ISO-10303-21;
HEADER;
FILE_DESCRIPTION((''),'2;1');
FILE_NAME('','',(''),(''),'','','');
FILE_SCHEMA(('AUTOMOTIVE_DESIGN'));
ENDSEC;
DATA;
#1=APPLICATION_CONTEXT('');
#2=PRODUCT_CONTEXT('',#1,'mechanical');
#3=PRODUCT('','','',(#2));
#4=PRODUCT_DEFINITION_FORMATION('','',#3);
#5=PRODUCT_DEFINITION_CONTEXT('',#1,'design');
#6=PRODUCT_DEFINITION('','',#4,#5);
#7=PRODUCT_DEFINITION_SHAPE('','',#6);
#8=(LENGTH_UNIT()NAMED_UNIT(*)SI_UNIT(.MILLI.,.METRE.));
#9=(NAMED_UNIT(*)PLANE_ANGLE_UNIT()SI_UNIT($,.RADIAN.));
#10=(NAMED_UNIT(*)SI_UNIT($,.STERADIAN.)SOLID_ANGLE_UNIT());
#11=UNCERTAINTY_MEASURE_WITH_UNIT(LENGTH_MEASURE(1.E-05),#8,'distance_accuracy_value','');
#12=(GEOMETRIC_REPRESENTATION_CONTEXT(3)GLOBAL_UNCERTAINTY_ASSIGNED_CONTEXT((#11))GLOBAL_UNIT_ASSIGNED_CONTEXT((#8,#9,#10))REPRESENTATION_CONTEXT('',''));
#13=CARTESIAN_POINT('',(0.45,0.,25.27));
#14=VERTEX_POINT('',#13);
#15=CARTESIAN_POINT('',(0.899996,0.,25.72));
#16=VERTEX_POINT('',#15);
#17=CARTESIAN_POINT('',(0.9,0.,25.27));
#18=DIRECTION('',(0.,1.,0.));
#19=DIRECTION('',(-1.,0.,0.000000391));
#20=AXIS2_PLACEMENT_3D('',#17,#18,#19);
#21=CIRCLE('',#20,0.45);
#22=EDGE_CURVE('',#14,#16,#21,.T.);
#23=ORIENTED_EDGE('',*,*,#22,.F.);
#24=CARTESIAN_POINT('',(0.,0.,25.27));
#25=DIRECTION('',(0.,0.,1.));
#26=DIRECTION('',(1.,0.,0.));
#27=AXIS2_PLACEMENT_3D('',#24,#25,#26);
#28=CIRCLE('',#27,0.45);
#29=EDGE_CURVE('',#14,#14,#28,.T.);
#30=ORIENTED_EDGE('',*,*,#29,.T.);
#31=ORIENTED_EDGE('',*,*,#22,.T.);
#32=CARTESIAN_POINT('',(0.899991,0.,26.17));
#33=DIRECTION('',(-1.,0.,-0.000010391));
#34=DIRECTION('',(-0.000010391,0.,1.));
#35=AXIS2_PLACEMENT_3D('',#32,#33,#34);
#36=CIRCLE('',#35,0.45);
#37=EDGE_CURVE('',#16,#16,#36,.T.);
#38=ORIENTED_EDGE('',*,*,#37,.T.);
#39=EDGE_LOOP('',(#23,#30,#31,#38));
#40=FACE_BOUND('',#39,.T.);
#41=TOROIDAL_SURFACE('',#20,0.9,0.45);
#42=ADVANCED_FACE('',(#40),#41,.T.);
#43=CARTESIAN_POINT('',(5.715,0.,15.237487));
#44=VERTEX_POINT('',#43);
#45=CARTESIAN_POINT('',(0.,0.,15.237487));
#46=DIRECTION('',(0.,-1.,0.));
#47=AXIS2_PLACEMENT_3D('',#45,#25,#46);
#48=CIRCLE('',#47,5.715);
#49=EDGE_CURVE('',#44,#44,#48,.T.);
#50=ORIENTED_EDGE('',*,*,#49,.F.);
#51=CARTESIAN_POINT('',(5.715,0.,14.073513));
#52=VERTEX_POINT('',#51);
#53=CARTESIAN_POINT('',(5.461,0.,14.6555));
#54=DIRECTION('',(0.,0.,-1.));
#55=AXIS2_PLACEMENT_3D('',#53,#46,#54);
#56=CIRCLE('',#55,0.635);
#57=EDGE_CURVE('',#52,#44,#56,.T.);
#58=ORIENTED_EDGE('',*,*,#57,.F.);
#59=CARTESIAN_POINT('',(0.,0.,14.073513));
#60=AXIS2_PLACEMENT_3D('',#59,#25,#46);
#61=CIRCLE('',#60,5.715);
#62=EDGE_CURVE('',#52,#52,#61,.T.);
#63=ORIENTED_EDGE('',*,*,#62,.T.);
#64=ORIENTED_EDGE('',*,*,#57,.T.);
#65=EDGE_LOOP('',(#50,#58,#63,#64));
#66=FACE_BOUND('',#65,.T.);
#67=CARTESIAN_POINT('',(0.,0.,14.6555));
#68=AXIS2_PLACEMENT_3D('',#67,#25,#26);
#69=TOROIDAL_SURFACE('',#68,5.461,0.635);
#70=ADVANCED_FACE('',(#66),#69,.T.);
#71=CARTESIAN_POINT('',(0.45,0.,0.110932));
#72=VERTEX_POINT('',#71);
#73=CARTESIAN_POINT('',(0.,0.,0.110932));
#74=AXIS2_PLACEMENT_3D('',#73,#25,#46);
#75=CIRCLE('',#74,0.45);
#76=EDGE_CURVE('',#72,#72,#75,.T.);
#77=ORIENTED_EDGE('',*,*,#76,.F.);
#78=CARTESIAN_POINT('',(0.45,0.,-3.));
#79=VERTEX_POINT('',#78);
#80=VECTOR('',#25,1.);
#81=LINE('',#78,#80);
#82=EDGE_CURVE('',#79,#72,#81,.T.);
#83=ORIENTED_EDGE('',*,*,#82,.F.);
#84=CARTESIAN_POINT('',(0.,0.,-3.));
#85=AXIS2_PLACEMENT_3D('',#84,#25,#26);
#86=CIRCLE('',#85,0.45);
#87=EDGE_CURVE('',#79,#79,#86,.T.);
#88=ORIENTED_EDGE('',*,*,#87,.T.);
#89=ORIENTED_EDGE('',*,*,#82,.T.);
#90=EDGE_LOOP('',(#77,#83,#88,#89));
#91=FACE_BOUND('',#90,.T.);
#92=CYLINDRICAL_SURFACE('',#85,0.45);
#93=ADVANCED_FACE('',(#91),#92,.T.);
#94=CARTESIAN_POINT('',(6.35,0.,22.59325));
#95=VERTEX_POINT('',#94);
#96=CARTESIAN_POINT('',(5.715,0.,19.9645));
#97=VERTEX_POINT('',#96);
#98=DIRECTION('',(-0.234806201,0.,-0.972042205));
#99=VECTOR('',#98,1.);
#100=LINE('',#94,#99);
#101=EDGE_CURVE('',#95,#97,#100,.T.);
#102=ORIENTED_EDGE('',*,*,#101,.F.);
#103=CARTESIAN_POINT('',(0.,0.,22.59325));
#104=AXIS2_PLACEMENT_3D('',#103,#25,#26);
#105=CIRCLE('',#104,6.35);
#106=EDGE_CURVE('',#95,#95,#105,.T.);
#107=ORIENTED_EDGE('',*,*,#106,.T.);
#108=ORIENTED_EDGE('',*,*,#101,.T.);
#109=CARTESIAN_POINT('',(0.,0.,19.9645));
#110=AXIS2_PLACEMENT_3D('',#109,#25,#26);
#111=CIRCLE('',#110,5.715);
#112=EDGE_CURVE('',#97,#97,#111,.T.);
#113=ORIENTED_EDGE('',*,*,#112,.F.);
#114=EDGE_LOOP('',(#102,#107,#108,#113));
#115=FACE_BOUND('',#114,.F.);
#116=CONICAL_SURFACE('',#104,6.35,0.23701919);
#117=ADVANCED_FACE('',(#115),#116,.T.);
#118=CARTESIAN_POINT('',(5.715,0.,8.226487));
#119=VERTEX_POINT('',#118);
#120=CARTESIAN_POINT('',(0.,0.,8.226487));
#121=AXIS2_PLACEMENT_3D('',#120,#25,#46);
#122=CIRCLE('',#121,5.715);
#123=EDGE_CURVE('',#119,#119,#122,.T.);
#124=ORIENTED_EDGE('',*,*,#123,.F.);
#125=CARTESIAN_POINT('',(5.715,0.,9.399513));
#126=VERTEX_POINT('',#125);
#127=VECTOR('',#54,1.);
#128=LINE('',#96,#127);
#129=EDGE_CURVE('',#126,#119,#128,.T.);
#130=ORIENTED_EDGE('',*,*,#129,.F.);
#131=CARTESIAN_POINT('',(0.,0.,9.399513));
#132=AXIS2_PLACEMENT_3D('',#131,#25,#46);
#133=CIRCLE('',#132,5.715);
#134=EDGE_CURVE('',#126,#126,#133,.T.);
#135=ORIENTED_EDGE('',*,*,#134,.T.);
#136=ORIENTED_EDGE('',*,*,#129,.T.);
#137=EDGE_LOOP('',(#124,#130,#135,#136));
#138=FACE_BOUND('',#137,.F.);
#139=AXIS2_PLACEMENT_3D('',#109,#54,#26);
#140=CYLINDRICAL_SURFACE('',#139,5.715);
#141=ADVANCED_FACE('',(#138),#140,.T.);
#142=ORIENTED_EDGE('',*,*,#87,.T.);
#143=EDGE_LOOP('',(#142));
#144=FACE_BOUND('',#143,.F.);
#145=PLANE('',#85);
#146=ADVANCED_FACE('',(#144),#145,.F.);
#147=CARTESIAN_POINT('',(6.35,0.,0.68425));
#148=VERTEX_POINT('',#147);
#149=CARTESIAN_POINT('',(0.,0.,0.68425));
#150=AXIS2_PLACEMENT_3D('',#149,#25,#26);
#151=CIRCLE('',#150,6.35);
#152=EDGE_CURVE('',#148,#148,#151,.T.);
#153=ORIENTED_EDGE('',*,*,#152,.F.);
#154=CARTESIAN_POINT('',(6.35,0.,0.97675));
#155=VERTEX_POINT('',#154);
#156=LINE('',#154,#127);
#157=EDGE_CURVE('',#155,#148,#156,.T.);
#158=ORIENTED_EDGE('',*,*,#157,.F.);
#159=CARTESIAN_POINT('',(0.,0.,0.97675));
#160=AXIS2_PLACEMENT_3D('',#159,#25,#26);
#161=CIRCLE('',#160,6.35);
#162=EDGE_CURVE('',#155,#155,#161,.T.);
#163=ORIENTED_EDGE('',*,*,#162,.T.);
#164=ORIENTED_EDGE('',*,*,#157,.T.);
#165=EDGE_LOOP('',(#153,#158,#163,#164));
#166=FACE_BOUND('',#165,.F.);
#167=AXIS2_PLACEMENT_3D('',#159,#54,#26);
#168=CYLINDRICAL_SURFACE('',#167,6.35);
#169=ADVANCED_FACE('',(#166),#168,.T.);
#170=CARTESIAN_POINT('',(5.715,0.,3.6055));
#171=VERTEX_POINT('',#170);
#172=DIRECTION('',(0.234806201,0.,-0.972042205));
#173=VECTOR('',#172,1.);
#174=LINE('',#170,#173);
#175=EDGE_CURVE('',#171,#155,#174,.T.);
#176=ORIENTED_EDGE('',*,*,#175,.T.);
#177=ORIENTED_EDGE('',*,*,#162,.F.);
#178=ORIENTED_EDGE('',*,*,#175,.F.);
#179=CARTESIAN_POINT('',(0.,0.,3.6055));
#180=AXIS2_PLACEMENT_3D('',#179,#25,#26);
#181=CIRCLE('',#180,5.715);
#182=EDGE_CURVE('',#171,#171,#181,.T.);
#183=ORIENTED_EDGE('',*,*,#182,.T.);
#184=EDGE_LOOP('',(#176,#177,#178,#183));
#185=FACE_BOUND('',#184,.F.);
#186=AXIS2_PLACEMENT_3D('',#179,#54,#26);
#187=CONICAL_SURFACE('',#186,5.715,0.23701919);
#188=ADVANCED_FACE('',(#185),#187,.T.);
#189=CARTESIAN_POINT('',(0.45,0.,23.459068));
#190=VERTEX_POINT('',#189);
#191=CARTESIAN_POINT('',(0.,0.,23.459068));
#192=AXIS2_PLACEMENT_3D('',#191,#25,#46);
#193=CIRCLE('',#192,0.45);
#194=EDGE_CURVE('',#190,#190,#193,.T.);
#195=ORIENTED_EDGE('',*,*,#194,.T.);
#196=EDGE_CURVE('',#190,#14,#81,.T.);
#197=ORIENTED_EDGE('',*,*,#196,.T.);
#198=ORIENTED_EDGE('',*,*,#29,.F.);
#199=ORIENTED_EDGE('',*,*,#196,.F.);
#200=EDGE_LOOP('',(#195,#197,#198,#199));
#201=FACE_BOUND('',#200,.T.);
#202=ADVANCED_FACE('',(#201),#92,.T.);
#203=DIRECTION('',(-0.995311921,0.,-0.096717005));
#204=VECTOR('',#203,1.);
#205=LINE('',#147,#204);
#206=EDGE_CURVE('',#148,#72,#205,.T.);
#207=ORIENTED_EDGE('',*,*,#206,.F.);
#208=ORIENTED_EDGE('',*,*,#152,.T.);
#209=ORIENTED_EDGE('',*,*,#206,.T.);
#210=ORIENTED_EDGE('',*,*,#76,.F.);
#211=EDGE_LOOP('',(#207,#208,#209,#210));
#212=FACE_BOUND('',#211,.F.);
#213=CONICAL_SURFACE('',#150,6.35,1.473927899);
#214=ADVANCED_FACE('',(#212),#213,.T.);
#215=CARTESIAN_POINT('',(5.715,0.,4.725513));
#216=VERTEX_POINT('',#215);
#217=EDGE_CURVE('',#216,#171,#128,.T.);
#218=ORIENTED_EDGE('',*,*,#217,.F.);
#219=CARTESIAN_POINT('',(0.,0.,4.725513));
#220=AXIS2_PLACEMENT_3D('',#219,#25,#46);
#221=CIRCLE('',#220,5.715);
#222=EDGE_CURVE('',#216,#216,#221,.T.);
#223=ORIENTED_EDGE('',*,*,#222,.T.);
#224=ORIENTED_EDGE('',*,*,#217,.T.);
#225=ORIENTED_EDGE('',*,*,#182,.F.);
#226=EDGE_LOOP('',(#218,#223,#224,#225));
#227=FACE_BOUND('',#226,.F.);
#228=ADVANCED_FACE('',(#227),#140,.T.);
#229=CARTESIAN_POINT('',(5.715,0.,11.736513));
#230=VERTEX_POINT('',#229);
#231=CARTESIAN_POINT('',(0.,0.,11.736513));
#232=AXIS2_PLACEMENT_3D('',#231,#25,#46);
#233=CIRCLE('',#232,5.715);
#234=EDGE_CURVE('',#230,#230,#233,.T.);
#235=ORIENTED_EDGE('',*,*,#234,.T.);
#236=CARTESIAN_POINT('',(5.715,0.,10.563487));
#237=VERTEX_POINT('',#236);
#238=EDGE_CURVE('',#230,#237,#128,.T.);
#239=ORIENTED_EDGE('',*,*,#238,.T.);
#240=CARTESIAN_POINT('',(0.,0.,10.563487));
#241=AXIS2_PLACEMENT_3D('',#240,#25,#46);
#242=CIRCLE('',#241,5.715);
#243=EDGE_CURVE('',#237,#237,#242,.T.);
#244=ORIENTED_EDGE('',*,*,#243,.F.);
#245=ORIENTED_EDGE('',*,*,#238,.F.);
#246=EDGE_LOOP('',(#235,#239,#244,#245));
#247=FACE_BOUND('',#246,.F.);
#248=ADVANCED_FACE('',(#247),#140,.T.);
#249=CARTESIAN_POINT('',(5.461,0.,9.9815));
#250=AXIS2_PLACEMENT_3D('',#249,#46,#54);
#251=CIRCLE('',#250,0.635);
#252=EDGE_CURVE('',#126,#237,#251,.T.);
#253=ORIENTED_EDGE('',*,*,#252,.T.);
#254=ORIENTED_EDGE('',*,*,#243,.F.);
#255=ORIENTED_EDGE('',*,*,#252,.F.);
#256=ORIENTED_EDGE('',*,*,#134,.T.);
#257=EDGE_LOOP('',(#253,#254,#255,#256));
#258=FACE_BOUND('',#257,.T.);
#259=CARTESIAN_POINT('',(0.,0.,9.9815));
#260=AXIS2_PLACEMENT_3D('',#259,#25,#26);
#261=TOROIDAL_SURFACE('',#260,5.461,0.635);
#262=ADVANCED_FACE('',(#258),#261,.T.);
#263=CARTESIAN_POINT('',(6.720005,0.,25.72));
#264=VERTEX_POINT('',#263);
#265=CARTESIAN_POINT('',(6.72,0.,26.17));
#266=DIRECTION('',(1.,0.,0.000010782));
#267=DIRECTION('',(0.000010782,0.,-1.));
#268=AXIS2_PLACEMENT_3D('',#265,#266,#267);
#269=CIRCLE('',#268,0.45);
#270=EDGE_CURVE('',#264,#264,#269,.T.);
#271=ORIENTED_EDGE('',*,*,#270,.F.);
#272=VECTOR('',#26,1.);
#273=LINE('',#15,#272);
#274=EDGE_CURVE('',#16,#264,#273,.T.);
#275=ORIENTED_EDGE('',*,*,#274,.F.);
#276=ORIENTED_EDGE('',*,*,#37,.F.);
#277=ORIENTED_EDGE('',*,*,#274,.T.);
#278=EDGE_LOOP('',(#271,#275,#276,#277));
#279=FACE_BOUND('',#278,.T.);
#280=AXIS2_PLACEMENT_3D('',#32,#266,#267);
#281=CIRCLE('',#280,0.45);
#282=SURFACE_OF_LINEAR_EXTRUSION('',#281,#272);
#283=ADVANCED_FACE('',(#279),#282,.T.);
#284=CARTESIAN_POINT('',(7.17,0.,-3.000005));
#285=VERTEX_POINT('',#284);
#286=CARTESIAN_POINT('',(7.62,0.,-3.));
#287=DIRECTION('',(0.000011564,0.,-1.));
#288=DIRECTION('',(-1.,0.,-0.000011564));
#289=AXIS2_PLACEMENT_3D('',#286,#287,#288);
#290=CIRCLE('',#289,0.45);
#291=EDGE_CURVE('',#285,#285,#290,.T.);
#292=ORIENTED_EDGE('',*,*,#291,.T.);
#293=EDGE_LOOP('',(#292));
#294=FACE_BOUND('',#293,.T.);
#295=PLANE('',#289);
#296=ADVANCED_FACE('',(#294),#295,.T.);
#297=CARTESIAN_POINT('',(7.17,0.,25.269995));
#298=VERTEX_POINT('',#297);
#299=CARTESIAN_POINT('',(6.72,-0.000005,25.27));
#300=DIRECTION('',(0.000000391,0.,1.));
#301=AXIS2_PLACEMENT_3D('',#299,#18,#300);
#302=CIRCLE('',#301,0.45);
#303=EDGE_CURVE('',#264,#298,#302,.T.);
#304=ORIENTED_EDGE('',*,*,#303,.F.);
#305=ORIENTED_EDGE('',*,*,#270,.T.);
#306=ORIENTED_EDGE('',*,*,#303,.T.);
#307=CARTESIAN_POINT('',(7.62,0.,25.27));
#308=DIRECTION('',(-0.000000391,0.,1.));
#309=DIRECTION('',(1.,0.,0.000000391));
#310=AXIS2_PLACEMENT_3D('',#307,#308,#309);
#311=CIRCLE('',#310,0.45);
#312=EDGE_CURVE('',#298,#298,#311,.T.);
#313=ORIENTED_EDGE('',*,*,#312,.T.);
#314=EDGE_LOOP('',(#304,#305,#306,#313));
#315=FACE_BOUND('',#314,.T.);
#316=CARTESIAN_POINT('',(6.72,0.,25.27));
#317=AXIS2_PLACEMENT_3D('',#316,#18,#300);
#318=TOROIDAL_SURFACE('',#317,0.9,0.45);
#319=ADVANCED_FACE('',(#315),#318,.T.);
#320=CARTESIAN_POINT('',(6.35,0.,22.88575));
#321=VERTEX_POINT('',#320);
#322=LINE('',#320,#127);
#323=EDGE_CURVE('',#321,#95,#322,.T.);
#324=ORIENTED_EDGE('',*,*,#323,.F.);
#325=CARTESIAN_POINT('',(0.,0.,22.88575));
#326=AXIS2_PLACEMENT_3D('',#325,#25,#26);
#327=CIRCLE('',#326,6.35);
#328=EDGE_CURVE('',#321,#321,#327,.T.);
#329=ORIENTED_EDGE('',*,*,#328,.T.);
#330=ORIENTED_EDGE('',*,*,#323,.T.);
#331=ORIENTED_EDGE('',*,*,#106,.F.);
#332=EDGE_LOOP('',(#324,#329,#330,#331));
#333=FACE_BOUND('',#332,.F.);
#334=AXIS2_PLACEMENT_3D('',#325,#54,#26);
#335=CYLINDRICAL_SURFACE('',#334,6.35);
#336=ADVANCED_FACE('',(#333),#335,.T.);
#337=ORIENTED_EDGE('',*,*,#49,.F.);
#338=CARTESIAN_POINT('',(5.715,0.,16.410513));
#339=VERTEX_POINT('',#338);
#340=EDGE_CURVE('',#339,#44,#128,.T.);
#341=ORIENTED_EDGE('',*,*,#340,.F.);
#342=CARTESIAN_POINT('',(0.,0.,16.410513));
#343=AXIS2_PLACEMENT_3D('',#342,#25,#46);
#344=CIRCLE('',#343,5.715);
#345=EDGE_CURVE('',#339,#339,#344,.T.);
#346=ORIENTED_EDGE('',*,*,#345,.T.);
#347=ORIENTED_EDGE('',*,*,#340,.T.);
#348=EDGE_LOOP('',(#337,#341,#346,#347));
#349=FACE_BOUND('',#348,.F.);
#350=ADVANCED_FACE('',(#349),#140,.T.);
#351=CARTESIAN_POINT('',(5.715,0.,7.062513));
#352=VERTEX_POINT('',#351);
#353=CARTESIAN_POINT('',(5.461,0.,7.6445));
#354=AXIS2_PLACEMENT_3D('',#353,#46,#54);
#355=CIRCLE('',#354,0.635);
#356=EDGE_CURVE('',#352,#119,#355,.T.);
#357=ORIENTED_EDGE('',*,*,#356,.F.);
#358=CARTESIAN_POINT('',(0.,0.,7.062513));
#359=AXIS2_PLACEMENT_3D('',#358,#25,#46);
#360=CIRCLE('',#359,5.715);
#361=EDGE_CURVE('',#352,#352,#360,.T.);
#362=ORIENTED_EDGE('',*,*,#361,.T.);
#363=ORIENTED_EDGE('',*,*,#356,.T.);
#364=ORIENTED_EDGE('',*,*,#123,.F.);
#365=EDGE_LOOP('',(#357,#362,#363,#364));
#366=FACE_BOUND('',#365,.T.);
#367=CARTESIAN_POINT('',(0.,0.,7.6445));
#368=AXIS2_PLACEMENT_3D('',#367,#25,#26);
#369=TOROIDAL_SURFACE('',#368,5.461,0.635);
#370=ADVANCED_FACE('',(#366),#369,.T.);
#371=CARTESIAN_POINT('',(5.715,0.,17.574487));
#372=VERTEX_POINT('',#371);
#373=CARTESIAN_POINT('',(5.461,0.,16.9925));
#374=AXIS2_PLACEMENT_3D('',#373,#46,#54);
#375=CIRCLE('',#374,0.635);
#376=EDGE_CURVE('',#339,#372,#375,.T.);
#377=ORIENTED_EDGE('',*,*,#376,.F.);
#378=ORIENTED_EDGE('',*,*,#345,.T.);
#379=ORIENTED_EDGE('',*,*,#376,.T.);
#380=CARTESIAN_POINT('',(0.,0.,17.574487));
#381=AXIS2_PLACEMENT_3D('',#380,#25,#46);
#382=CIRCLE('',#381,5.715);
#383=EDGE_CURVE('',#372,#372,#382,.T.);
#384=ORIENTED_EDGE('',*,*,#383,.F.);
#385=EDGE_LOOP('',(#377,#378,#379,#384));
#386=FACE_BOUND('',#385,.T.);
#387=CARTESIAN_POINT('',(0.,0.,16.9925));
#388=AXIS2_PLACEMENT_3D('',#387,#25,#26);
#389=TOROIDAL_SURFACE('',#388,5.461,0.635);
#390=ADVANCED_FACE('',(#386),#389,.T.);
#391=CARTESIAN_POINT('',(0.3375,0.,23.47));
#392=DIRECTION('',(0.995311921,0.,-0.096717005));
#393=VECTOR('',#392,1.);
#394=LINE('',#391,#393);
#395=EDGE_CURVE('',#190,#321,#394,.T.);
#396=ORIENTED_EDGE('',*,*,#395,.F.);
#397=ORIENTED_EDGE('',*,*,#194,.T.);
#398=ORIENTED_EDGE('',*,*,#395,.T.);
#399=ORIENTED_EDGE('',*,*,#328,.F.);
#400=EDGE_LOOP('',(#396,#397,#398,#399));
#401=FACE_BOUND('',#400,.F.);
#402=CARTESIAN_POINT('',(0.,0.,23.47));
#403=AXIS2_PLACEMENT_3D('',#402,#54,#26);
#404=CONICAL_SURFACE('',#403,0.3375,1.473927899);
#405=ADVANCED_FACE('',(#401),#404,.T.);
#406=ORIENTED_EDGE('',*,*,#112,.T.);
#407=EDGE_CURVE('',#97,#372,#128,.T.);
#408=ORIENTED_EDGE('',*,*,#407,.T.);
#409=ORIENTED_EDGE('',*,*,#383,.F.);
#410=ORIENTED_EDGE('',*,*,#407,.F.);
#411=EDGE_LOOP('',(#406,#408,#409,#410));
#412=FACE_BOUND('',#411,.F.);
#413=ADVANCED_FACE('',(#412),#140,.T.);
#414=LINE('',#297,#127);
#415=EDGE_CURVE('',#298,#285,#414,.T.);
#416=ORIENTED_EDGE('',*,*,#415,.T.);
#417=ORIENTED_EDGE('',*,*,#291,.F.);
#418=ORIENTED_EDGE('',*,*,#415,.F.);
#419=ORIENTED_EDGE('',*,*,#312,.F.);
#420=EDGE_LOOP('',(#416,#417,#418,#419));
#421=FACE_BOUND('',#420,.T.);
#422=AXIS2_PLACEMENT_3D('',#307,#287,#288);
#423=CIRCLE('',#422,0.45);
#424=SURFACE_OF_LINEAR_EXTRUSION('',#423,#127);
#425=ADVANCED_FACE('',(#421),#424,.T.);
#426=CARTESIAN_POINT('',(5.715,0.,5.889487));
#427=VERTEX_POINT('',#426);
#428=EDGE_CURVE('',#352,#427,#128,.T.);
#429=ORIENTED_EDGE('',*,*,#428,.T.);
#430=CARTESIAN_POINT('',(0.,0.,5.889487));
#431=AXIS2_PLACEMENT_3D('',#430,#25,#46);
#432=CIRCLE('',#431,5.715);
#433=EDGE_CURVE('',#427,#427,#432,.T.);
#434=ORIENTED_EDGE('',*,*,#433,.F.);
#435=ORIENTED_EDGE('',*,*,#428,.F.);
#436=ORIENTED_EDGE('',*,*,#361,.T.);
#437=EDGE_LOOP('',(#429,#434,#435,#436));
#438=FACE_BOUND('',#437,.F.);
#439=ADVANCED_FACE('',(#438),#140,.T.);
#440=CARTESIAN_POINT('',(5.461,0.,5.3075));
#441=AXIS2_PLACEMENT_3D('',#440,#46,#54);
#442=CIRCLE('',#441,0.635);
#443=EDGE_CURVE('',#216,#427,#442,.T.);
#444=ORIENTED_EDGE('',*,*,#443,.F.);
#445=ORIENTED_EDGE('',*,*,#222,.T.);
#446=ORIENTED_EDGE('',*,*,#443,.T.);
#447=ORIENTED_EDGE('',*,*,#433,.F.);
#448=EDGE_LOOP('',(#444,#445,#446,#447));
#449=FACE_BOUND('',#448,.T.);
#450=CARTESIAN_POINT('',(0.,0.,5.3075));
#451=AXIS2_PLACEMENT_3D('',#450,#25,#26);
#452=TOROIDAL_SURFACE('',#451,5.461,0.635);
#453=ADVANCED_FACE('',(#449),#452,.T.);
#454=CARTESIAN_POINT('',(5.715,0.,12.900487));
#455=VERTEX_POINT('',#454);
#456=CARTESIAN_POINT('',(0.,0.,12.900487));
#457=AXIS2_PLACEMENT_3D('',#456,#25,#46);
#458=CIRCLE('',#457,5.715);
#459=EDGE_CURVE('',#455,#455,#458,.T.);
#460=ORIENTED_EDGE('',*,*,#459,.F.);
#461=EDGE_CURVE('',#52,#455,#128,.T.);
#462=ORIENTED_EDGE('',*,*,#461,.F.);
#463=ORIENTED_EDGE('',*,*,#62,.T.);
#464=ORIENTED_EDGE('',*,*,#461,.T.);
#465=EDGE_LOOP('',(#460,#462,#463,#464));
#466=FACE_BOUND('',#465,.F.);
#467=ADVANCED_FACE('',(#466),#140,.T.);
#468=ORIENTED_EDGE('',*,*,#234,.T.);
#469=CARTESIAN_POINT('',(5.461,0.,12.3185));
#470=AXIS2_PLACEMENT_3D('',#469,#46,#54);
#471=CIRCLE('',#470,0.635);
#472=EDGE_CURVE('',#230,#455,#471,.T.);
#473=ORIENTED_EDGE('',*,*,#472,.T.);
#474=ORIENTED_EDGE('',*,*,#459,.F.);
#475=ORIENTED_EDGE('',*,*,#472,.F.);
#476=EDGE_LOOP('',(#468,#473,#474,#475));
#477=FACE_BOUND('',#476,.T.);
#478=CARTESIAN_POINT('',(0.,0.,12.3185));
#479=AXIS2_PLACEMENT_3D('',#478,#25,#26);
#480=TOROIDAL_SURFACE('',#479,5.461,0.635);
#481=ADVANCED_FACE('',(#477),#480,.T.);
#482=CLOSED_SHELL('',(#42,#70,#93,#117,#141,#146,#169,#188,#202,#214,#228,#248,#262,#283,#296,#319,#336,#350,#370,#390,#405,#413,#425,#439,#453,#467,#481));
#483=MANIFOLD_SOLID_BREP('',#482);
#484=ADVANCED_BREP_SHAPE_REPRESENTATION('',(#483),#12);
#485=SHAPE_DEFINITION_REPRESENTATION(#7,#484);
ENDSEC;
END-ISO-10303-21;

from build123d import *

# Parameters (mm, degrees)
SKETCH_R = 0.45


with BuildPart() as revolution:
    # Sketch002 → Revolution (revolve)
    with BuildSketch(Plane.XZ):
        Polygon((0, 0.1), (0, 23.47), (0.3375, 23.47), (6.35, 22.88575), (6.35, 22.59325), (5.715, 19.9645), (5.715, 3.6055), (6.35, 0.97675), (6.35, 0.68425), (0.3375, 0.1), align=None)
    revolve(axis=Axis((0, 0, 0), (0, 0, 1)))


with BuildPart() as sweep_body:
    # Sweep: sweep along a path in Sketch001
    with BuildLine(Plane.XZ) as sweep_path:
        Line((0, -3), (0, 25.27))
        ThreePointArc((0, 25.27), (0.263601, 25.906393), (0.899991, 26.17))
        Line((0.899991, 26.17), (6.72, 26.17))
        ThreePointArc((6.72, 26.17), (7.356396, 25.906396), (7.62, 25.27))
        Line((7.62, 25.27), (7.62, -3))
    # Sketch → Sweep (sweep)
    with BuildSketch(Plane.XY.offset(-2)):
        Circle(SKETCH_R)
    sweep(path=sweep_path.line)


with BuildPart() as revolution001_mp_cp:
    # Sketch003 → Revolution001 (revolve)
    with BuildSketch(Plane.XZ):
        with BuildLine():
            Line((5.08, 18.6945), (5.08, 3.6055))
            Line((5.08, 3.6055), (5.461, 3.6055))
            Line((5.461, 3.6055), (5.461, 4.6725))
            ThreePointArc((5.461, 4.6725), (6.096, 5.3075), (5.461, 5.9425))
            Line((5.461, 5.9425), (5.461, 7.0095))
            ThreePointArc((5.461, 7.0095), (6.096, 7.6445), (5.461, 8.2795))
            Line((5.461, 8.2795), (5.461, 9.3465))
            ThreePointArc((5.461, 9.3465), (6.096, 9.9815), (5.461, 10.6165))
            Line((5.461, 10.6165), (5.461, 11.6835))
            ThreePointArc((5.461, 11.6835), (6.096, 12.3185), (5.461, 12.9535))
            Line((5.461, 12.9535), (5.461, 14.0205))
            ThreePointArc((5.461, 14.0205), (6.096, 14.6555), (5.461, 15.2905))
            Line((5.461, 15.2905), (5.461, 16.3575))
            ThreePointArc((5.461, 16.3575), (6.096, 16.9925), (5.461, 17.6275))
            Line((5.461, 18.6945), (5.461, 17.6275))
            Line((5.08, 18.6945), (5.461, 18.6945))
        make_face()
    revolve(axis=Axis((0, 0, 0), (0, 0, 1)))

    # Revolution001_mp_cp: union Revolution, Sweep body
    add(revolution.part)
    add(sweep_body.part)


solid = revolution001_mp_cp.part
